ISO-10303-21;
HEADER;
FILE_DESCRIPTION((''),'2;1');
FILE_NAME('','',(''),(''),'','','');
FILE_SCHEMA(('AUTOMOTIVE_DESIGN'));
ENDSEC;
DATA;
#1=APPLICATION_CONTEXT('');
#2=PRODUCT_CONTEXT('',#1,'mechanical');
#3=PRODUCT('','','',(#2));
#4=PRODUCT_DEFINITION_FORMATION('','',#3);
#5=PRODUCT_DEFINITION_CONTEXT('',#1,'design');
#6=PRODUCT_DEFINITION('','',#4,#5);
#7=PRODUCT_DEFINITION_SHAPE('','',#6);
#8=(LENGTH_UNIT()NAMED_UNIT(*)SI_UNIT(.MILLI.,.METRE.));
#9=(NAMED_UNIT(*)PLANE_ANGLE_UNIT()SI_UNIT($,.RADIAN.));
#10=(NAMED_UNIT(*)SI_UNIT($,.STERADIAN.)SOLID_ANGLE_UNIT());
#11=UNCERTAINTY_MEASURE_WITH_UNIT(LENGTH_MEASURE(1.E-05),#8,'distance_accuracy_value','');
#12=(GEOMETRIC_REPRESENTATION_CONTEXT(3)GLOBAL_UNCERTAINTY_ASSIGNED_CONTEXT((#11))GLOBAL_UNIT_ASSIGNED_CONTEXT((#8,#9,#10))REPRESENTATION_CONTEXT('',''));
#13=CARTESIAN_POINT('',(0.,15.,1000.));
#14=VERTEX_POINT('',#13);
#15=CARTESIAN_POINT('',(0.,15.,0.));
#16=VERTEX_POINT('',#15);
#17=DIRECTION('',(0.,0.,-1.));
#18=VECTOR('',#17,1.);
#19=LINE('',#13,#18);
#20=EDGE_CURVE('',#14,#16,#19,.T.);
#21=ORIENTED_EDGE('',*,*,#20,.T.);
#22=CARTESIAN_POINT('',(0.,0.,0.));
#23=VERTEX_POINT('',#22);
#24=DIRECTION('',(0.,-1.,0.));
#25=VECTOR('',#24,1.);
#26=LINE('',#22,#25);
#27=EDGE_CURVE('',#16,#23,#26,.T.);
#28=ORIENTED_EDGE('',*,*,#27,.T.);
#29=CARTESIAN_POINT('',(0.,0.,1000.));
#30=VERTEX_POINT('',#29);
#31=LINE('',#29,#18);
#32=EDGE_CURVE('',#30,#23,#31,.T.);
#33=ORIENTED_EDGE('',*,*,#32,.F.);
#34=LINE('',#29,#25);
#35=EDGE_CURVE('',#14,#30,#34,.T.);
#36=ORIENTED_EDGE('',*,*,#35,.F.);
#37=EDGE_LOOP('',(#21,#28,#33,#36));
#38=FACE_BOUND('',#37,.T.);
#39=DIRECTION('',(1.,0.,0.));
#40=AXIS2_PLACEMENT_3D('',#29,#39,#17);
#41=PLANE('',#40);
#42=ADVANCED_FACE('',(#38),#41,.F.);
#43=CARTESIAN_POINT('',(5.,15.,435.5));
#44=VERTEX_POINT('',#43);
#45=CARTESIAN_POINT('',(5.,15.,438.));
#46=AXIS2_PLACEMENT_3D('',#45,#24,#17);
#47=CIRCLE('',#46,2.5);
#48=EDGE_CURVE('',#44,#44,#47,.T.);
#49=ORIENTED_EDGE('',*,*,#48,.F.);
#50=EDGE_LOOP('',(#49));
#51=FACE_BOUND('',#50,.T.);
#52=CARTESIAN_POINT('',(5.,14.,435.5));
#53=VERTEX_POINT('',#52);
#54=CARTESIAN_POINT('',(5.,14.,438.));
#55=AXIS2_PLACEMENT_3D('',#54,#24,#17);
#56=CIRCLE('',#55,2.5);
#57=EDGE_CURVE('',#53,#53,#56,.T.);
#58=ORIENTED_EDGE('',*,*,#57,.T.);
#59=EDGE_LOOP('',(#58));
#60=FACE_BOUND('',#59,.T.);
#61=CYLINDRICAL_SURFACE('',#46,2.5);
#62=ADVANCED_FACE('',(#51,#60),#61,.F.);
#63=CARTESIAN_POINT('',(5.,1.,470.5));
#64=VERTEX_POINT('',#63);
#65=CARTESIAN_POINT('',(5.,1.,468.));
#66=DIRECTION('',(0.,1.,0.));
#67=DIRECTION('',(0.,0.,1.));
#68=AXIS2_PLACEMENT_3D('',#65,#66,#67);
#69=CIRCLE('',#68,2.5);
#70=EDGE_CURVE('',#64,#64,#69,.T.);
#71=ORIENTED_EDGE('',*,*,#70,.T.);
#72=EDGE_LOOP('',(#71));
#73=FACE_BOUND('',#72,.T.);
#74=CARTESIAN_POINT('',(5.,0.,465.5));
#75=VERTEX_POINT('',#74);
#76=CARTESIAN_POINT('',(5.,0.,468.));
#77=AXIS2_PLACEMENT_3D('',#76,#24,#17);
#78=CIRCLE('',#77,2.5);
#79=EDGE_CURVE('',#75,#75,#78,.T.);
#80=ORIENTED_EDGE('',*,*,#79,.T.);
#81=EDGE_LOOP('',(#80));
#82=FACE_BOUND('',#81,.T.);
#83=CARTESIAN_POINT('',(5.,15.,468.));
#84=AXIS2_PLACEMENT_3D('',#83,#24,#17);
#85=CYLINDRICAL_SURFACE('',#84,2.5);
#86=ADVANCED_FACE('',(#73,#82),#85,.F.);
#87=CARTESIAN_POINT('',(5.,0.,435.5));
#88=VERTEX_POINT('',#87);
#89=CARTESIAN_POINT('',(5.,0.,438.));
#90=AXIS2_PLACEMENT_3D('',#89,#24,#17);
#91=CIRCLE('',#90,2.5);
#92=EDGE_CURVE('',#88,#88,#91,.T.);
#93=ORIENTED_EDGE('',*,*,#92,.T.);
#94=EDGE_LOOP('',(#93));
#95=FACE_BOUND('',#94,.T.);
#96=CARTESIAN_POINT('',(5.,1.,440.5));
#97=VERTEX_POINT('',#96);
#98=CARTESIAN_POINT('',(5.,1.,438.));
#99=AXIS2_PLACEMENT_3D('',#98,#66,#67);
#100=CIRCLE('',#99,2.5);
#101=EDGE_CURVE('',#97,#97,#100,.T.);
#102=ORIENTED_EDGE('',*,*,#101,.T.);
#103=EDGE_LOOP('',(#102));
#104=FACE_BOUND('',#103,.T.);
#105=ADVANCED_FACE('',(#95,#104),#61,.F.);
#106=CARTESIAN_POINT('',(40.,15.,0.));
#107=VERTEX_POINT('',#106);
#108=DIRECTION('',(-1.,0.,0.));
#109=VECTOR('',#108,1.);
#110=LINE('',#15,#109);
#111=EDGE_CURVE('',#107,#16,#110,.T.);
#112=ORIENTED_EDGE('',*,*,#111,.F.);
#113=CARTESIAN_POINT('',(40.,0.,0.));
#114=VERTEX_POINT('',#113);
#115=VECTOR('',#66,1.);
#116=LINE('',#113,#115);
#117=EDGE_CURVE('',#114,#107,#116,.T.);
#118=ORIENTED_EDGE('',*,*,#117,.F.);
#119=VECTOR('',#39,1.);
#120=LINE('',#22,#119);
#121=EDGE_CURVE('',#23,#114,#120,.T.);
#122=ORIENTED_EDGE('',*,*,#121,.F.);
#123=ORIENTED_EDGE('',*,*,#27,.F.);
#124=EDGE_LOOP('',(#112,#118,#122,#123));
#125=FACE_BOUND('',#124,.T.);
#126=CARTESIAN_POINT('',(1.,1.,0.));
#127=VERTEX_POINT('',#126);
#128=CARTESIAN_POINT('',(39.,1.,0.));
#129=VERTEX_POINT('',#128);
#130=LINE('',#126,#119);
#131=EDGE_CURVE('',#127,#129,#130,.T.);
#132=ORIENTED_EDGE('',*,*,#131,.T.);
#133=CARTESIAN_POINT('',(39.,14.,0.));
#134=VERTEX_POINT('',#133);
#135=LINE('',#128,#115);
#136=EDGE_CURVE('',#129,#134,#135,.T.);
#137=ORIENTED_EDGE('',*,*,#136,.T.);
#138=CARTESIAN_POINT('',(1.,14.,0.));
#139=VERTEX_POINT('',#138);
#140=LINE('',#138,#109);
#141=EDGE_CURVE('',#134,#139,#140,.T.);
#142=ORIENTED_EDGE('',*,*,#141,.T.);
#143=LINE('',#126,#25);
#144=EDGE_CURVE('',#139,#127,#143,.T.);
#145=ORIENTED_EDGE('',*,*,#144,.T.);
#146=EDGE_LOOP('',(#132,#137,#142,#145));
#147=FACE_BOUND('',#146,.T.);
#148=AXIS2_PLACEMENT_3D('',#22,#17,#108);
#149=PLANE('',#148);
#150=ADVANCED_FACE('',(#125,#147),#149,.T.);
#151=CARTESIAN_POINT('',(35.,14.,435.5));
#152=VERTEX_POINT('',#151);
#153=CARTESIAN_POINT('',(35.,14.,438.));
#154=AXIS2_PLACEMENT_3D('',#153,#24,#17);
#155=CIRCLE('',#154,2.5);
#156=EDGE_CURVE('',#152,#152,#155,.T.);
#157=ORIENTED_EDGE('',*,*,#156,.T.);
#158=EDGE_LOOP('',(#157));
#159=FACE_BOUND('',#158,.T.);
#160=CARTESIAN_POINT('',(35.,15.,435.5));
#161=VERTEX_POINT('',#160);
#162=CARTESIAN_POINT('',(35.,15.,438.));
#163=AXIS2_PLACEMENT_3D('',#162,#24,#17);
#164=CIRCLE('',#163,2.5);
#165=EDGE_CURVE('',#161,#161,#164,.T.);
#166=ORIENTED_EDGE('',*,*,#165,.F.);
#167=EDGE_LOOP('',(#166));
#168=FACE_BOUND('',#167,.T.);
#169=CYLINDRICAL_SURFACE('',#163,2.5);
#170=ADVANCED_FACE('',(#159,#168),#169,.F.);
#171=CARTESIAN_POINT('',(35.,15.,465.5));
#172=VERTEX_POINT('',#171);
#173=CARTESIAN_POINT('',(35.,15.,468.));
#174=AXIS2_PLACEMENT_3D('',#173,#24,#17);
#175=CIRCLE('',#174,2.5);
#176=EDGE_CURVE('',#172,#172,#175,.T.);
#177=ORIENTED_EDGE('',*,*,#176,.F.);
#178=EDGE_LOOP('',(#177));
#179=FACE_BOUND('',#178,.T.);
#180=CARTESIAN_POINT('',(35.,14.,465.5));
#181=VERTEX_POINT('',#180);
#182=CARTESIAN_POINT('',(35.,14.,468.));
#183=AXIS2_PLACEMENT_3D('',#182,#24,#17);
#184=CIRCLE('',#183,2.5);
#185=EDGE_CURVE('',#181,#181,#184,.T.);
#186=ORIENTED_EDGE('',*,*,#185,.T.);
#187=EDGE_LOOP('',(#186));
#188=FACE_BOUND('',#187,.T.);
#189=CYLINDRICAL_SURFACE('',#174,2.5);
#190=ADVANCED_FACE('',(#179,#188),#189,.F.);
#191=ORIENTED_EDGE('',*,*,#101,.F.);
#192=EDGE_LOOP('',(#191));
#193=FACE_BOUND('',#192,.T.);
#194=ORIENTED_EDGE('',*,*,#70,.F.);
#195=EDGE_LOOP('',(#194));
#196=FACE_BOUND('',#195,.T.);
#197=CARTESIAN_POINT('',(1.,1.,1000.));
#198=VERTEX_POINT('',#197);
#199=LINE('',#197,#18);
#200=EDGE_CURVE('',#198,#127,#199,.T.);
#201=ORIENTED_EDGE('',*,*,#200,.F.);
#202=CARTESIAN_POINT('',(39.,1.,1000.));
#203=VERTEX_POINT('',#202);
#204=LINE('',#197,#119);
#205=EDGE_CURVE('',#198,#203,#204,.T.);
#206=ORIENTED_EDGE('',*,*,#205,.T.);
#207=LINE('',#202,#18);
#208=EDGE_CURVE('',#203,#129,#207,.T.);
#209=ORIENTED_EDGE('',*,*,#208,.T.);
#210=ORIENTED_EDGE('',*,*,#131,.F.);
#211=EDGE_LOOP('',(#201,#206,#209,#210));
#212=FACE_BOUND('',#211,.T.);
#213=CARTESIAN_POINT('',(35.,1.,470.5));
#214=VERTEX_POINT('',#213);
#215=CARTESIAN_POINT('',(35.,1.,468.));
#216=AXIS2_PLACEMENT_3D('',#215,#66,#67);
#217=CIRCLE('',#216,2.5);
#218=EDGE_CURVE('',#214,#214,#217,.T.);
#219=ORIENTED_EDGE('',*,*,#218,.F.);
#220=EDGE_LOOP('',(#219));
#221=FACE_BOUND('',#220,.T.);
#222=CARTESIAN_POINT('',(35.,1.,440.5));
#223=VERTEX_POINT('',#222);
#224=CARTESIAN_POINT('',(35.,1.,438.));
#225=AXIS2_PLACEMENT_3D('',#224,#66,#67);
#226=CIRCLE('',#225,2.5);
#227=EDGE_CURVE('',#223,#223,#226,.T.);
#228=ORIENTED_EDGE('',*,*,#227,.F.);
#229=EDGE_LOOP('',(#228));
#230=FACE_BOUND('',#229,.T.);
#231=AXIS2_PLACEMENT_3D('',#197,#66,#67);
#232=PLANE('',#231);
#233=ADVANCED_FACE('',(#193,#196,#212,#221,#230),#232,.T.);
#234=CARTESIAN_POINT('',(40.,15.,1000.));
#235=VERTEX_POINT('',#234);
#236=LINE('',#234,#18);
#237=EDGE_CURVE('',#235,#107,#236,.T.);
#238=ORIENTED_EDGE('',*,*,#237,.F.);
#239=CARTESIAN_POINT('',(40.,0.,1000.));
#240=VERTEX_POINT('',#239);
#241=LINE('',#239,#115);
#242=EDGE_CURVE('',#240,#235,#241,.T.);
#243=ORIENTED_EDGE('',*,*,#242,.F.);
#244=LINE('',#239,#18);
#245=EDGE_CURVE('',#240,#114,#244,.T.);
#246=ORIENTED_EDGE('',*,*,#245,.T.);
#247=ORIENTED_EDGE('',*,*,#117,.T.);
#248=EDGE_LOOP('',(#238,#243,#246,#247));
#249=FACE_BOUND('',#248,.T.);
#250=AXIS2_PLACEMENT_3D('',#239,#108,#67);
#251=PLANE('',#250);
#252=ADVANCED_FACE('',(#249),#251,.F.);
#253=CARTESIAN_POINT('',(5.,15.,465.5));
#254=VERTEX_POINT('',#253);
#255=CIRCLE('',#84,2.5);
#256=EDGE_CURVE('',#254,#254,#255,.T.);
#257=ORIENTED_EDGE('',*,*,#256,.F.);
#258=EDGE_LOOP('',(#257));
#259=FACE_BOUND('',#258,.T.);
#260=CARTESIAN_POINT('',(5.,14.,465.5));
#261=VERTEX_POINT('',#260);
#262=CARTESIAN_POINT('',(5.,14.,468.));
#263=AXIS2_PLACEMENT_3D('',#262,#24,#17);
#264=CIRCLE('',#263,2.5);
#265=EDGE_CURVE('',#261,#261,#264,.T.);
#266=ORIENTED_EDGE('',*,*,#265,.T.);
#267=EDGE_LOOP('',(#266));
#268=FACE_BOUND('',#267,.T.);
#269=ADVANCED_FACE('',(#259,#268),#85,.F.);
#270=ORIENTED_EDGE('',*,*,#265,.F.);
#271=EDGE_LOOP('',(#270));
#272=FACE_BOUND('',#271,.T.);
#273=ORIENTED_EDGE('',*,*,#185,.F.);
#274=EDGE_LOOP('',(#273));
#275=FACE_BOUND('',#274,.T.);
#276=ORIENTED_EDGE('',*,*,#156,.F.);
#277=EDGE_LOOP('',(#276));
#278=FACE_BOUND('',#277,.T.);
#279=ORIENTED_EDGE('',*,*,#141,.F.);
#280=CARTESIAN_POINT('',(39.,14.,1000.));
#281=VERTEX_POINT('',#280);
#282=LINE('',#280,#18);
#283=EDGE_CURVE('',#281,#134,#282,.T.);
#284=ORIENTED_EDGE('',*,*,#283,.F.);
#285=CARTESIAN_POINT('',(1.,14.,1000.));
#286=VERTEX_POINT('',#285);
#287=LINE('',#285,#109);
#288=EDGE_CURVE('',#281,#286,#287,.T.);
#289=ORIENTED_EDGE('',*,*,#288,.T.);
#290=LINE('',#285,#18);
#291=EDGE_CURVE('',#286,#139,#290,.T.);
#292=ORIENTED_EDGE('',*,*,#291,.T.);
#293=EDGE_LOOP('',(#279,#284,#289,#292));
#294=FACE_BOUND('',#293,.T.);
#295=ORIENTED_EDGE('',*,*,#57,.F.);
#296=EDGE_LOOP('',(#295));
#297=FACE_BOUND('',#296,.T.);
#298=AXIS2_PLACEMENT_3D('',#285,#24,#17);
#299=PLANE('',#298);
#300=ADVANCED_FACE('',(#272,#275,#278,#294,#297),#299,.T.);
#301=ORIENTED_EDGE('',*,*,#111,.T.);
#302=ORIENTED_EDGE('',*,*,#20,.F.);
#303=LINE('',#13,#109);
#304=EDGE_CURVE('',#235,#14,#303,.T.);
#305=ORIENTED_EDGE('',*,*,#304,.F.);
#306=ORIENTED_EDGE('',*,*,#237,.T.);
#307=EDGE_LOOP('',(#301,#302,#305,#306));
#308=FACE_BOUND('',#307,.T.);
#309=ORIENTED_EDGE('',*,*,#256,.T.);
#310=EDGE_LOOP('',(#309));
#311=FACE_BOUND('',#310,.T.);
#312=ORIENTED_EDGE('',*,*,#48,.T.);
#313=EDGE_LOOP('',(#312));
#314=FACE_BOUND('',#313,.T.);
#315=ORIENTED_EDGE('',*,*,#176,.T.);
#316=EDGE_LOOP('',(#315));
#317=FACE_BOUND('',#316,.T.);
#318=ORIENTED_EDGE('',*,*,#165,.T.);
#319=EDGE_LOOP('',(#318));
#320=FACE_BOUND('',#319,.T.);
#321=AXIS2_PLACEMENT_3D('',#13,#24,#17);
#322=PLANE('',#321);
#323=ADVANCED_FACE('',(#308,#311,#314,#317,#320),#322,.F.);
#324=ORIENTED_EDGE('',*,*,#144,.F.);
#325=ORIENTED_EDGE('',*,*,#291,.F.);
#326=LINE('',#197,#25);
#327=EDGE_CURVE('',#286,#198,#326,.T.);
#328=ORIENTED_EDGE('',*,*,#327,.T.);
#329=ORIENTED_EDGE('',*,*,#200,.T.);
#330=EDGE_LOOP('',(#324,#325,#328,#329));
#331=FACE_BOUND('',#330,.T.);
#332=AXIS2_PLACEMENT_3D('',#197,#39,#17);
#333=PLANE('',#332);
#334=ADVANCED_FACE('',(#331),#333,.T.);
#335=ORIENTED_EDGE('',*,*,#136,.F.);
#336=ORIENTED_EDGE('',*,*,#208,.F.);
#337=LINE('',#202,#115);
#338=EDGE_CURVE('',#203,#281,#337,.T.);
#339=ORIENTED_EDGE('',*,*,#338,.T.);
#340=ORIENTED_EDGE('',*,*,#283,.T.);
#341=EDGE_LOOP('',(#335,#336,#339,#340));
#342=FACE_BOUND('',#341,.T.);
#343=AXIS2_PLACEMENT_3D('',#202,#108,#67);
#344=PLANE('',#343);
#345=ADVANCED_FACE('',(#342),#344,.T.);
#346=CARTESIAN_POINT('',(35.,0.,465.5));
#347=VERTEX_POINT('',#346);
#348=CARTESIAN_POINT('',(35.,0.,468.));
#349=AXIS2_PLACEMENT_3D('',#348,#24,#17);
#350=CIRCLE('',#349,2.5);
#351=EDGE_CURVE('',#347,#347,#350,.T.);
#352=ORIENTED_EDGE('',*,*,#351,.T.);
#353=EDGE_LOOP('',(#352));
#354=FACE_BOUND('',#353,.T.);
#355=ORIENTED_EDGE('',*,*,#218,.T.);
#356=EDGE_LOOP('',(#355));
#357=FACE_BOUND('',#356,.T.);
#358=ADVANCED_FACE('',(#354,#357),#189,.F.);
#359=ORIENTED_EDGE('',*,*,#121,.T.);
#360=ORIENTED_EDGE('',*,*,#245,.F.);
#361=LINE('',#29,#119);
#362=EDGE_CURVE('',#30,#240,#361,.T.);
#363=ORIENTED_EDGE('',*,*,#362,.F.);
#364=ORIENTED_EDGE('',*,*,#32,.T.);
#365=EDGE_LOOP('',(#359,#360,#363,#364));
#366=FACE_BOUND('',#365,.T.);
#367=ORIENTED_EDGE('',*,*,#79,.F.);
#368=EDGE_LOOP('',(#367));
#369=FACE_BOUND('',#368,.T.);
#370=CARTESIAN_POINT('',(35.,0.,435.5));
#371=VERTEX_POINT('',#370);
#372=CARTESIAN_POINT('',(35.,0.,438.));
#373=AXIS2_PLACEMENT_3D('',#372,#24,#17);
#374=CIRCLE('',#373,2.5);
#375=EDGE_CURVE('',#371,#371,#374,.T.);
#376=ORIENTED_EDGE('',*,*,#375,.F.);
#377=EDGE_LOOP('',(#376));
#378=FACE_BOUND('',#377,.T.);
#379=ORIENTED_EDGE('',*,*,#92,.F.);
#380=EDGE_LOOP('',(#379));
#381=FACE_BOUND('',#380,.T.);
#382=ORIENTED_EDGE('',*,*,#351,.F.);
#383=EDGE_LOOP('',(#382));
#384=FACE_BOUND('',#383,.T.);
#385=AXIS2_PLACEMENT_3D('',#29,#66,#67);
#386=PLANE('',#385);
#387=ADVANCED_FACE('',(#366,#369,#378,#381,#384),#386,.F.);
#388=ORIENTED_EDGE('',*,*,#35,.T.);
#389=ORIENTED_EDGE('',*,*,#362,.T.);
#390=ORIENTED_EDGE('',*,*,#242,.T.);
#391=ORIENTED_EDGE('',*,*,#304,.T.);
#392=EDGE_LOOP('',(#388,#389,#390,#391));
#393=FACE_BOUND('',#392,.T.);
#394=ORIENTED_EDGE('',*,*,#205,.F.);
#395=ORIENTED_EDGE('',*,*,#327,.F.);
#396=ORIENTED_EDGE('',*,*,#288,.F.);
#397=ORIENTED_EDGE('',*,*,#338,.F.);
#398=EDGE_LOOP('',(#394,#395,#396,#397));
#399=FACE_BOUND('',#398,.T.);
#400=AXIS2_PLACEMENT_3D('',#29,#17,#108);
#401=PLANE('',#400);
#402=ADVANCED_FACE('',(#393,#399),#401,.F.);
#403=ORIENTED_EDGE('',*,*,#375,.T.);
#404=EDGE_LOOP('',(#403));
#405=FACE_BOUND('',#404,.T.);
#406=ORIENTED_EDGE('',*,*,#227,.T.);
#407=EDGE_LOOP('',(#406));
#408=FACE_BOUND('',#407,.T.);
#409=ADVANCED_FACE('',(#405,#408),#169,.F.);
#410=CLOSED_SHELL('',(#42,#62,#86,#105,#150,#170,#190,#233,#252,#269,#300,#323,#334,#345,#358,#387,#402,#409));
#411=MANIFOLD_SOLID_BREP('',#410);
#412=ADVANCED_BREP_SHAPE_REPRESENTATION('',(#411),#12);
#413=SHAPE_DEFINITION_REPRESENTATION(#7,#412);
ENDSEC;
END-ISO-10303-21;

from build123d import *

# Parameters (mm, degrees)
SKETCH_1_W          = 40
SKETCH_1_H          = 15
SKETCH_1_W_2        = 38
SKETCH_1_H_2        = 13
EXTRUDE_1_DEPTH     = 1000
SKETCH_3_R          = 2.5
CUT_EXTRUDE_2_DEPTH = 1001.912084051


with BuildPart() as part:
    # 草图1 → 凸台-拉伸1 (new body)
    with BuildSketch(Plane.XY):
        with Locations((20, 7.5)):
            Rectangle(SKETCH_1_W, SKETCH_1_H)
        with Locations((20, 7.5)):
            Rectangle(SKETCH_1_W_2, SKETCH_1_H_2, mode=Mode.SUBTRACT)
    extrude(amount=EXTRUDE_1_DEPTH)

    # 草图3 → 切除-拉伸2 (cut, through all)
    with BuildSketch(Plane.XZ):
        with Locations(Location((35, 468, 0), (0, 0, 270))):
            Circle(SKETCH_3_R)
        with Locations(Location((35, 438, 0), (0, 0, 270))):
            Circle(SKETCH_3_R)
        with Locations(Location((5, 468, 0), (0, 0, 270))):
            Circle(SKETCH_3_R)
        with Locations(Location((5, 438, 0), (0, 0, 270))):
            Circle(SKETCH_3_R)
    extrude(amount=-CUT_EXTRUDE_2_DEPTH, mode=Mode.SUBTRACT)


solid = part.part
